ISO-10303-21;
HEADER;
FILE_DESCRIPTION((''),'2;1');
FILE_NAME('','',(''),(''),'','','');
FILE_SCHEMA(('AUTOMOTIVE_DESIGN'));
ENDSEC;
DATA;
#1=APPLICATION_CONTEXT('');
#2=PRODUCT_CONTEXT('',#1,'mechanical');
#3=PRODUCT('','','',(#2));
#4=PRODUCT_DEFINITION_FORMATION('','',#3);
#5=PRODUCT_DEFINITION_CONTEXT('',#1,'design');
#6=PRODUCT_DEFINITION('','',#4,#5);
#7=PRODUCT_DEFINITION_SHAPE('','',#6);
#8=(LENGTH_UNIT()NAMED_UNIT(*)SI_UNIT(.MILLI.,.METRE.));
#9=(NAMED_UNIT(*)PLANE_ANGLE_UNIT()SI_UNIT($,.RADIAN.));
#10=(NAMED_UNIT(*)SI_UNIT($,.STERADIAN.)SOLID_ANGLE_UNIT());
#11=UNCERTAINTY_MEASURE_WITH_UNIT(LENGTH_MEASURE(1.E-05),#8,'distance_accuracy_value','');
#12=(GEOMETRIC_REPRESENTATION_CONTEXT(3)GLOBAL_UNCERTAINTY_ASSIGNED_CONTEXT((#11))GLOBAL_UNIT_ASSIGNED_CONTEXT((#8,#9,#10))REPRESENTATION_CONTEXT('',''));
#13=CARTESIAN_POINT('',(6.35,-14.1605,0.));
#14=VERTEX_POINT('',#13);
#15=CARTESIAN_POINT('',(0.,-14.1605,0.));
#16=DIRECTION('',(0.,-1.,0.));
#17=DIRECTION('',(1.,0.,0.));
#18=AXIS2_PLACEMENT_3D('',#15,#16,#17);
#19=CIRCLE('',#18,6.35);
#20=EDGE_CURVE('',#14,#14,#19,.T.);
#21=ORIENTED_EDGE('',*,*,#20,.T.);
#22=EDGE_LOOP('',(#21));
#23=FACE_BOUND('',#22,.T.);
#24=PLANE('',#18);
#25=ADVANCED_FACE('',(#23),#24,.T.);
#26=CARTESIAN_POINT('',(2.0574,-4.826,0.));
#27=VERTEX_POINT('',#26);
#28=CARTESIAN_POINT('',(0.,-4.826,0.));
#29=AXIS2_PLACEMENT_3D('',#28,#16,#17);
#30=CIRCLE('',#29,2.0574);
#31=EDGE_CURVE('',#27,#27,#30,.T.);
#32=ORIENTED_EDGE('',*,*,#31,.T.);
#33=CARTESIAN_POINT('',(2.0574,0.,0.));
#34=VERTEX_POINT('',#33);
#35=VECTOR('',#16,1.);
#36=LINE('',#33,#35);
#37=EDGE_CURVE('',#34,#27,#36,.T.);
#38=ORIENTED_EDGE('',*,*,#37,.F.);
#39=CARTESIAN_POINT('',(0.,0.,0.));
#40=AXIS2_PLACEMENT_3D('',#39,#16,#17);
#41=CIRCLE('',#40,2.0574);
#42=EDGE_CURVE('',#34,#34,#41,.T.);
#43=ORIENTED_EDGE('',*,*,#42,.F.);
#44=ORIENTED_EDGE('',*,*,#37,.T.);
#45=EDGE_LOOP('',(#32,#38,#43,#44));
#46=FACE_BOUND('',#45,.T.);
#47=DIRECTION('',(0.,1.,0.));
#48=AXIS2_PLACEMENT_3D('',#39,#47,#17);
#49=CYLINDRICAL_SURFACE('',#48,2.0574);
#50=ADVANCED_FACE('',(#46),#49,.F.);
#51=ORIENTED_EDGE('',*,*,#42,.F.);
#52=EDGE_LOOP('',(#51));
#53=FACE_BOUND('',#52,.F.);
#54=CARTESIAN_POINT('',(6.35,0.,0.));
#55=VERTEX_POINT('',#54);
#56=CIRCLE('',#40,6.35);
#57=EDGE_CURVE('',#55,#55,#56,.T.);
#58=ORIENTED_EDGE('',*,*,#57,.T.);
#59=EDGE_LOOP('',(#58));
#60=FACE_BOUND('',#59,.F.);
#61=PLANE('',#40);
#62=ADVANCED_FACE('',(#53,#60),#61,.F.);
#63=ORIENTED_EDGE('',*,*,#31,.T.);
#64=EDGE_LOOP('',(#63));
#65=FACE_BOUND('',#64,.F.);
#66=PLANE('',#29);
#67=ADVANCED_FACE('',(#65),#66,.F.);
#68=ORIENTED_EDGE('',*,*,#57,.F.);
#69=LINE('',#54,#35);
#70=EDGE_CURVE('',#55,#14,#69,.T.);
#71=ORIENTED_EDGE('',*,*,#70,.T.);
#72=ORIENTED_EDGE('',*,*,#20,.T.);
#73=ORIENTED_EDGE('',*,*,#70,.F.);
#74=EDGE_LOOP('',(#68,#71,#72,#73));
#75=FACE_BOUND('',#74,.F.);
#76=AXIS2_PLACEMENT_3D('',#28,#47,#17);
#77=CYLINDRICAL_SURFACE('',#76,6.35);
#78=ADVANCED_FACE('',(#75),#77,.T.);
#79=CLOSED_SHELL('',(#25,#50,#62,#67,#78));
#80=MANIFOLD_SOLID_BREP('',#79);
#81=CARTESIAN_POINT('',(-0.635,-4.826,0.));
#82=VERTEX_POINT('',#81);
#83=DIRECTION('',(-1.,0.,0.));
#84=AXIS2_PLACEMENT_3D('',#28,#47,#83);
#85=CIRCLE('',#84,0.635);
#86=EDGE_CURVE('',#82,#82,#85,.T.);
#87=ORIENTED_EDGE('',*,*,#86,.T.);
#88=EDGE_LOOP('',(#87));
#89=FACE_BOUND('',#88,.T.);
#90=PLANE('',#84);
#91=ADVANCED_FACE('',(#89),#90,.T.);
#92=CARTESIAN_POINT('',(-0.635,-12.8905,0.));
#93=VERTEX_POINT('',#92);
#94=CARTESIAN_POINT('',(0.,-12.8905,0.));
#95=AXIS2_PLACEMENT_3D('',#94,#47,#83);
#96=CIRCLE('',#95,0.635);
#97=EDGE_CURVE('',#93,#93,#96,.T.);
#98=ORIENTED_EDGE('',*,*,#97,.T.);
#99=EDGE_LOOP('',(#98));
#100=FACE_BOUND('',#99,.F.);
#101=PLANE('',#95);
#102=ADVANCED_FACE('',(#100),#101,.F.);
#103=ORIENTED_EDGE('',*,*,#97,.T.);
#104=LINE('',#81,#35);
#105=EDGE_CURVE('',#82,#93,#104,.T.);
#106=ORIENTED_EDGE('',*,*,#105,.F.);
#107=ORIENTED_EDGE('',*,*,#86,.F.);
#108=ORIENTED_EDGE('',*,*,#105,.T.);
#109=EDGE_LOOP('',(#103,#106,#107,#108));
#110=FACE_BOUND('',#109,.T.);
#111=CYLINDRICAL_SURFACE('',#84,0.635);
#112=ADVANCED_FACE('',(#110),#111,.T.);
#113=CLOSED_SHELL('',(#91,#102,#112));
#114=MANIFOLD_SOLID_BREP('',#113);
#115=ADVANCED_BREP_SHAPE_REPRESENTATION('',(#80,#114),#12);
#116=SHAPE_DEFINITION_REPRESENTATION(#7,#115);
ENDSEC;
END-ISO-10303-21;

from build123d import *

# Parameters (mm, degrees)
F0_R     = 6.35
F0_R_2   = 2.0574
F1_DEPTH = 4.826
F2_R     = 6.35
F3_DEPTH = 9.3345
F4_R     = 0.635
F5_DEPTH = 8.0645


with BuildPart() as f1:
    # F0 (on Front) → F1 (new body)
    with BuildSketch(Plane.XZ):
        Circle(F0_R)
        Circle(F0_R_2, mode=Mode.SUBTRACT)
    extrude(amount=F1_DEPTH)

    # F2 (on face) → F3 (join)
    with BuildSketch(Plane.XZ.offset(4.826)):
        Circle(F2_R)
    extrude(amount=F3_DEPTH)


with BuildPart() as f5:
    # F4 (on face) → F5 (new body)
    with BuildSketch(Plane(origin=(0, -4.826, 0), x_dir=(-1, 0, 0), z_dir=(0, 1, 0))):
        Circle(F4_R)
    extrude(amount=-F5_DEPTH)


solid = Compound([f1.part, f5.part])
